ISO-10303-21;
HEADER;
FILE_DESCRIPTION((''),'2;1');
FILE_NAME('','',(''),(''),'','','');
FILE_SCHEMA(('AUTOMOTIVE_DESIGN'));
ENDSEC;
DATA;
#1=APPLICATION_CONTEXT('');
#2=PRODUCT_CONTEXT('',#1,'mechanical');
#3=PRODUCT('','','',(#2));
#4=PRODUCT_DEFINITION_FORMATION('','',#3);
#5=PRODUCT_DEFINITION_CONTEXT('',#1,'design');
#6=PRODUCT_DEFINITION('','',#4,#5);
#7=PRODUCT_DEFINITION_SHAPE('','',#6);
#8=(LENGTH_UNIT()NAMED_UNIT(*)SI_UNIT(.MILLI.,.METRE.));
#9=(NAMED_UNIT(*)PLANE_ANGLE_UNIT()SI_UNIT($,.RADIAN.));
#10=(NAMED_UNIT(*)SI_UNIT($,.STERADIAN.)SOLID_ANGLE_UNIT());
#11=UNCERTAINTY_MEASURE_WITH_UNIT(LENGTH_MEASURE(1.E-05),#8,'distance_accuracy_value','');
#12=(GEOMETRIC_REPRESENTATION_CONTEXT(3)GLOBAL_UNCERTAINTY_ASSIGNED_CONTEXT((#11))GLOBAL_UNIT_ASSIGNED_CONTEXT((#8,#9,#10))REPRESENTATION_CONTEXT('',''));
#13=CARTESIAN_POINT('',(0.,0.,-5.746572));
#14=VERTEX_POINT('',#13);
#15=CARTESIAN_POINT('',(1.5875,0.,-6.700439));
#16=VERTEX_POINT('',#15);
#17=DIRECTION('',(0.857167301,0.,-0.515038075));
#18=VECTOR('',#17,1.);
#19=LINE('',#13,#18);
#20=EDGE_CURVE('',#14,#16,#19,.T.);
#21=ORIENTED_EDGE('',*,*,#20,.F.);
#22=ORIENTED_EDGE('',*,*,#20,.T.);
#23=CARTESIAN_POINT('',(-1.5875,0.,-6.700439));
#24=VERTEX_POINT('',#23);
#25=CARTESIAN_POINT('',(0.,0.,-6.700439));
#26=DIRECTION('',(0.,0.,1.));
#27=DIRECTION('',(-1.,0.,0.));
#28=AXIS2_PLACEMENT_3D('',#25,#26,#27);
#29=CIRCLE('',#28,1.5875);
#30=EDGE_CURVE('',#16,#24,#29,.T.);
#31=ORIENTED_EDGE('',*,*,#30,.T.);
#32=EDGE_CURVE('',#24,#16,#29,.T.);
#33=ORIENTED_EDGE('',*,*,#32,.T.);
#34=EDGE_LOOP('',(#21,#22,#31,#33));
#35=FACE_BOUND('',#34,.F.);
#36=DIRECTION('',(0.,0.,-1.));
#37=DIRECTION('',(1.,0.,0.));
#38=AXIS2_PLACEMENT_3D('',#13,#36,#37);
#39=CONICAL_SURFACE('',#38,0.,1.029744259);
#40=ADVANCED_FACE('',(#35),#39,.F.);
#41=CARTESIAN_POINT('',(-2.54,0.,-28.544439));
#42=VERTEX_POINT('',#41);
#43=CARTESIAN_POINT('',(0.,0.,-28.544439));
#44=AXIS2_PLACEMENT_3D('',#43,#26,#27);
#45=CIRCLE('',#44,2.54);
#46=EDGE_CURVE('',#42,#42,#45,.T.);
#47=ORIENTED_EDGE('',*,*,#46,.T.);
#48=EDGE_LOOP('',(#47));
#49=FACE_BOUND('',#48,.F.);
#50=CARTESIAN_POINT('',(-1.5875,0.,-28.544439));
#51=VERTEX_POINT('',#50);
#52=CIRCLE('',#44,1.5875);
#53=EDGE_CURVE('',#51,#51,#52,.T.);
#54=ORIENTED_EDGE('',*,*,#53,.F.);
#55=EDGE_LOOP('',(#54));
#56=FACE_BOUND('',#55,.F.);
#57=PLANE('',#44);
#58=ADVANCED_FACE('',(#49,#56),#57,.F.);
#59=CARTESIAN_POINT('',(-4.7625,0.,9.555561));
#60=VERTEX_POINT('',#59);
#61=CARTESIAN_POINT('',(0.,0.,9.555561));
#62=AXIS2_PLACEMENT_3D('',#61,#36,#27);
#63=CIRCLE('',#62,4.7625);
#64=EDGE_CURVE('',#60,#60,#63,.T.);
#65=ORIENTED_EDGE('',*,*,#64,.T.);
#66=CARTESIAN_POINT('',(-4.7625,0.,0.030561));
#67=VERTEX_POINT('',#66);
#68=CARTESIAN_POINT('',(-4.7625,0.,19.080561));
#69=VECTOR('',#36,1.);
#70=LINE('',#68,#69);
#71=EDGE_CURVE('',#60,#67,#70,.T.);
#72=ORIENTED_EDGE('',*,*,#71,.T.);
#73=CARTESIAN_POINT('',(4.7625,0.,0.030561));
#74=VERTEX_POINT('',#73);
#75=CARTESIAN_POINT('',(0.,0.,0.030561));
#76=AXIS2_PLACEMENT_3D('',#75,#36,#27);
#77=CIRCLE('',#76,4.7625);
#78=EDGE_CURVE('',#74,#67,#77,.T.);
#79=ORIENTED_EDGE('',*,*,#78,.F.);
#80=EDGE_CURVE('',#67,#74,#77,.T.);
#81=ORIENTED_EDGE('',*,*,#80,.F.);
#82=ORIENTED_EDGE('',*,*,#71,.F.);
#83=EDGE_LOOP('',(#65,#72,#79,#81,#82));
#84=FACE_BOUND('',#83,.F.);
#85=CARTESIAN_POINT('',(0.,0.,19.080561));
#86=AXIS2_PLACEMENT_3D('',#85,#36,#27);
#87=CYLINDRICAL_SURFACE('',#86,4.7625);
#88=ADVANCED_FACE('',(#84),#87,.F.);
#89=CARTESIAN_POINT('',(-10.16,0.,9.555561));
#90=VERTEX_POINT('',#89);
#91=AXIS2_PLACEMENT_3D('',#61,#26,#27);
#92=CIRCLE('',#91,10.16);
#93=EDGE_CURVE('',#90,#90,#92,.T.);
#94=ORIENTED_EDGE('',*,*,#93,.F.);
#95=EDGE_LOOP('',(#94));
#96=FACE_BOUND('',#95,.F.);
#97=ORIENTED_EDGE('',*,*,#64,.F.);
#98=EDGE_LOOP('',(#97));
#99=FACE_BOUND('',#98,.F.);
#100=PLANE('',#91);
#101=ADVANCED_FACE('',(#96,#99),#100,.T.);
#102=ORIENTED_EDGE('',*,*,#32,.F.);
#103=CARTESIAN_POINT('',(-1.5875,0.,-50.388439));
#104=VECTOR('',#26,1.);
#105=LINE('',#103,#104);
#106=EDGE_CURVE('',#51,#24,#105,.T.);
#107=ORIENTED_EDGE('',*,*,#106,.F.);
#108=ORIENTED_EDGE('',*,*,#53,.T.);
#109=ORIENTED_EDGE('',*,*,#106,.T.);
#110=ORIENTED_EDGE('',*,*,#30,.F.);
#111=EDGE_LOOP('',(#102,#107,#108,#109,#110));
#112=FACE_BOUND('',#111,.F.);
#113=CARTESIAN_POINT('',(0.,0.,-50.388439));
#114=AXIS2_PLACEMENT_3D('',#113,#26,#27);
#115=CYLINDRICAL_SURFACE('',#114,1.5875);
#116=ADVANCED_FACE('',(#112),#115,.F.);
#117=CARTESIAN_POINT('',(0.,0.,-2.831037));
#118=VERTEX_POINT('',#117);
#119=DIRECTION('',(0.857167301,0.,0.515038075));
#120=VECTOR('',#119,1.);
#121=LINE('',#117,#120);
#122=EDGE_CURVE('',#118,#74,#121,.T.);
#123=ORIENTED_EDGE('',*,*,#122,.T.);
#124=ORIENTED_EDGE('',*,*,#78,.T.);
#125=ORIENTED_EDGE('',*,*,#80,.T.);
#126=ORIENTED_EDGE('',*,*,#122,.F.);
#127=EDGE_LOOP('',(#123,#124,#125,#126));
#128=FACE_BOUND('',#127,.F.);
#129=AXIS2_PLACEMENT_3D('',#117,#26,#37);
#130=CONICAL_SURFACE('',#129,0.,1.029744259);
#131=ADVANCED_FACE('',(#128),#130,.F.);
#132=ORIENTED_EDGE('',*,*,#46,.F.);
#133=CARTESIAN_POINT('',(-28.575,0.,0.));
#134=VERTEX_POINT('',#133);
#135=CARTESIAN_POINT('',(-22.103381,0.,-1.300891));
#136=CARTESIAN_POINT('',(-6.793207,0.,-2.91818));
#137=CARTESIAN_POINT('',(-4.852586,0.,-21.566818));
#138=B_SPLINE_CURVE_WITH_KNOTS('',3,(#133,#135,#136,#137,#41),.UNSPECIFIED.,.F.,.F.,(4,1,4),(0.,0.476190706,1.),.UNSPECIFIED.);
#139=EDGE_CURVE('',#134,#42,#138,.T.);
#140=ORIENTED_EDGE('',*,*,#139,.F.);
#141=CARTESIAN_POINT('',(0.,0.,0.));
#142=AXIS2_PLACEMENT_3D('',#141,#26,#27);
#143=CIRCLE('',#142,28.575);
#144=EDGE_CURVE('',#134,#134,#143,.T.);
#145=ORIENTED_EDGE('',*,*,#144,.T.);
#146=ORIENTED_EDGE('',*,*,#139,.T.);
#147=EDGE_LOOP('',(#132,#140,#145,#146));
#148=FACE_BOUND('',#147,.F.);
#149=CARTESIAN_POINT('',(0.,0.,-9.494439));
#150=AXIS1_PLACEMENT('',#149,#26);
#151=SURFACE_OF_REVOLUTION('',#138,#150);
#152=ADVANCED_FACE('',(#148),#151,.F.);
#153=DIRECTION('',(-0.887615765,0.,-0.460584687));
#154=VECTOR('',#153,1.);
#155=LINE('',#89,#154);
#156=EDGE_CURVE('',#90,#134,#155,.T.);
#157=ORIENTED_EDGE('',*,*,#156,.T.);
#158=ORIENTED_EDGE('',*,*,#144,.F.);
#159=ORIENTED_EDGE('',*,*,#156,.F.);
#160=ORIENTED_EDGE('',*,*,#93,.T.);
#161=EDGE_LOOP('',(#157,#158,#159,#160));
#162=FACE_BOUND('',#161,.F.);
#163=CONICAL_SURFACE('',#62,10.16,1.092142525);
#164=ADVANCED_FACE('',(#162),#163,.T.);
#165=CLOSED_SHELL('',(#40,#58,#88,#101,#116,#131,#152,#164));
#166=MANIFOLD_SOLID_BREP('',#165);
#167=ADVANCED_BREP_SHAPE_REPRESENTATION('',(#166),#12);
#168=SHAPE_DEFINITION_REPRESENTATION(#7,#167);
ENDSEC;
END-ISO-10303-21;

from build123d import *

# Parameters (mm, degrees)
F3_D     = 9.525
F3_DEPTH = 9.525
F3_TIP   = 2.8615986981
F5_D     = 3.175
F5_DEPTH = 21.844
F5_TIP   = 0.9538662327


with BuildPart() as f1:
    # F0 (on Front) → F1 (revolve)
    with BuildSketch(Plane.XZ):
        with BuildLine():
            Line((-2.54, -28.544438532), (0, -28.544438532))
            Line((0, -28.544438532), (0, 0))
            Line((0, 0), (-28.575, 0))
            add(Edge.make_bspline(
                [(-28.575, 0), (-22.1033814669, -1.3008907493), (-6.7932074564, -2.9181800603), (-4.8525862527, -21.5668183457), (-2.54, -28.544438532)],
                knots=[0, 0, 0, 0, 0.476190706, 1, 1, 1, 1], degree=3))
        make_face()
        Polygon((-28.575, 0), (0, 0), (0, 9.555561468), (-10.16, 9.555561468), align=None)
    revolve(axis=Axis((0, 0, -9.494438532), (0, 0, 1)))

    # F3
    with Locations(Plane.XY.offset(9.555561468)):
        with Locations((0, 0)):
            Hole(F3_D / 2, depth=F3_DEPTH)
            with Locations((0, 0, -(F3_DEPTH + F3_TIP / 2))):  # 118° drill point
                Cone(0, F3_D / 2, F3_TIP, mode=Mode.SUBTRACT)

    # F5
    with Locations(Plane(origin=(0, 0, -28.544438532), x_dir=(1, 0, 0), z_dir=(0, 0, -1))):
        with Locations((0, 0)):
            Hole(F5_D / 2, depth=F5_DEPTH)
            with Locations((0, 0, -(F5_DEPTH + F5_TIP / 2))):  # 118° drill point
                Cone(0, F5_D / 2, F5_TIP, mode=Mode.SUBTRACT)


solid = f1.part
